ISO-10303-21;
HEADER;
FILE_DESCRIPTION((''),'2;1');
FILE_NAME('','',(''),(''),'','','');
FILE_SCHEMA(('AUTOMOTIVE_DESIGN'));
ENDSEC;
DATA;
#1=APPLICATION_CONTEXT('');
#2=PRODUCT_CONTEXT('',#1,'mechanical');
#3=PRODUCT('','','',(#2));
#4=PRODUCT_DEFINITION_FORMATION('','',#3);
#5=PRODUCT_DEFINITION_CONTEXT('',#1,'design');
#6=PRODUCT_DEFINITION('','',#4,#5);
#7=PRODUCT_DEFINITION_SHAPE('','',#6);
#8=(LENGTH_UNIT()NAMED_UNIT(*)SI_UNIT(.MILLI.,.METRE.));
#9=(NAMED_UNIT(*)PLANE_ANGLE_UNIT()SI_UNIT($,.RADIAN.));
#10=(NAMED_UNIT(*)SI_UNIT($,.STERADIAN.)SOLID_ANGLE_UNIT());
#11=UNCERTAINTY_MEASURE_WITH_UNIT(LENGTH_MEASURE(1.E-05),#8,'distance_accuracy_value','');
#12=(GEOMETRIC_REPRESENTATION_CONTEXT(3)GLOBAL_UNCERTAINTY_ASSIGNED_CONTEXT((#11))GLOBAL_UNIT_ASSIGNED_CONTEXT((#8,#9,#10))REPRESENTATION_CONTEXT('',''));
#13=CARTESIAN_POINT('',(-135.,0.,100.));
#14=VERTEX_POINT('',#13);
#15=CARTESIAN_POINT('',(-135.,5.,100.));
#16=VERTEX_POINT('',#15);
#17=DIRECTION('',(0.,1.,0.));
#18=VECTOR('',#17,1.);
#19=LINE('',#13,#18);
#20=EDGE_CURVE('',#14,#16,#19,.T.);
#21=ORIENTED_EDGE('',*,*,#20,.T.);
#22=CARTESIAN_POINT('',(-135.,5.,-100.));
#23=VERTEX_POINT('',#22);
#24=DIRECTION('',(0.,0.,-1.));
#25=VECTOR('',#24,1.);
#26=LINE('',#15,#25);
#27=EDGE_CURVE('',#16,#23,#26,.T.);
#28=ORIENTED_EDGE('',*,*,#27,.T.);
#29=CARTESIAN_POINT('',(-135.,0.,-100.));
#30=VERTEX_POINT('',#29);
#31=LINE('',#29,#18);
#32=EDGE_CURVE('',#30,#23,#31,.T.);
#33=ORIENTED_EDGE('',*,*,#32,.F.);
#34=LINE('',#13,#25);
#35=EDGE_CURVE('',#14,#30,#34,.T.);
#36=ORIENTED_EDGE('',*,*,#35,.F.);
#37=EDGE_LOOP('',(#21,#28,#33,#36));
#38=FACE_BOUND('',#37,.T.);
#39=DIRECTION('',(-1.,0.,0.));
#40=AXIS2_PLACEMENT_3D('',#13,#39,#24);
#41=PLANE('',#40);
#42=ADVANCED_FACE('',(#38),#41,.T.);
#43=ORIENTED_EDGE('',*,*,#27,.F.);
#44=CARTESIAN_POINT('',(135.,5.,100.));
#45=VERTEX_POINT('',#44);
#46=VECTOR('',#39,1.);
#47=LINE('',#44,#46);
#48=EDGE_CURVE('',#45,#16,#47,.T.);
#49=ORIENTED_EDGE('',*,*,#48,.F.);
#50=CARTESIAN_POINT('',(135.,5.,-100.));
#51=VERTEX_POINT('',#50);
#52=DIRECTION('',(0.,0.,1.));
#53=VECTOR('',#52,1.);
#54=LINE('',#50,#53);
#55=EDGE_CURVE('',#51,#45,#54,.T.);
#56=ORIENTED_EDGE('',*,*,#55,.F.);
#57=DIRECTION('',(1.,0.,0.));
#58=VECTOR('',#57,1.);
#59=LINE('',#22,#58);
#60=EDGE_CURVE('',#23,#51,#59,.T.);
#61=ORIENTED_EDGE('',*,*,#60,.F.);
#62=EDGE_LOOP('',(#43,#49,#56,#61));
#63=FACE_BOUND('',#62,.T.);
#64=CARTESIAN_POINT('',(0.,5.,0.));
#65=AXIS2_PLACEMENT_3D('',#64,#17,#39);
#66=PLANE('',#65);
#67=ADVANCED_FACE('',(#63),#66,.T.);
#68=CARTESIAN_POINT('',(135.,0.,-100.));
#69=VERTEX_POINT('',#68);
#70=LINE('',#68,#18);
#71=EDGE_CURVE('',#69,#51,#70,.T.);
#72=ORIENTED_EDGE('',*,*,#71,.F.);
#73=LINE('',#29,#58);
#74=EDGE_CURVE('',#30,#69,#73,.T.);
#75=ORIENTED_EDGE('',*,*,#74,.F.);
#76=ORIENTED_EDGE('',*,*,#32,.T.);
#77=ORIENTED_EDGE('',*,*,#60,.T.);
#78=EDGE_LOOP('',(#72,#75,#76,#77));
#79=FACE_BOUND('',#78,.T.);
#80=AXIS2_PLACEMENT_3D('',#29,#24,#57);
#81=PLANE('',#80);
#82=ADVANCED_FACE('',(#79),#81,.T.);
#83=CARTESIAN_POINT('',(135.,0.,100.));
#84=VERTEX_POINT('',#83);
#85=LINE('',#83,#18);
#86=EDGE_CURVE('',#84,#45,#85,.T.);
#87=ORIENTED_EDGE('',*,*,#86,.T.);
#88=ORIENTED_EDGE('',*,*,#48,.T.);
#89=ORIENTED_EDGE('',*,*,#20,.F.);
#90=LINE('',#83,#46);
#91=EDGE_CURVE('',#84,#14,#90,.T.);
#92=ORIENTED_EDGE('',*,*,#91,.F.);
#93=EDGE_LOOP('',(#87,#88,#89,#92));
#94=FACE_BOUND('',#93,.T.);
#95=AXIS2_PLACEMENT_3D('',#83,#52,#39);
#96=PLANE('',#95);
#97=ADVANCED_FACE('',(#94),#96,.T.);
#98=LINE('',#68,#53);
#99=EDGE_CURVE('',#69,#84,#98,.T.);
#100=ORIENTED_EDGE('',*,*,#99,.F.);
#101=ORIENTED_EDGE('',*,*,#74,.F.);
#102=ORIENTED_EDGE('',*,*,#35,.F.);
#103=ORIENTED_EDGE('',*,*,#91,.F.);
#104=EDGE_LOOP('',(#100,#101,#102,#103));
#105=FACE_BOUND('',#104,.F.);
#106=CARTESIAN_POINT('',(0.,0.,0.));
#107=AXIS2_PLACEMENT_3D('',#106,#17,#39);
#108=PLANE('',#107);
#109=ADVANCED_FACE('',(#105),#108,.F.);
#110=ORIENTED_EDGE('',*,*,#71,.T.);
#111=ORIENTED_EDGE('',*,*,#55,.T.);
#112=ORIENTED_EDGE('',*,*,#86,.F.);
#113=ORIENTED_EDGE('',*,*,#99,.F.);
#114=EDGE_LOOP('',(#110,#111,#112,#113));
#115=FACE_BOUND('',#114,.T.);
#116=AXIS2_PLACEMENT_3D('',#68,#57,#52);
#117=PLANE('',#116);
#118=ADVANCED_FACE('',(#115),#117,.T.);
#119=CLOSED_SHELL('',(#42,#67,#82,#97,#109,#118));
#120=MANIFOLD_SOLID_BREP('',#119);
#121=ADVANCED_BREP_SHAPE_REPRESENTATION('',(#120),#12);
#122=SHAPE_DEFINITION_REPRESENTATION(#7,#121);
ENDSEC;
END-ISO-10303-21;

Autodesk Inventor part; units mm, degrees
ref_plane "YZ Plane" through (0, 0, 0) normal (1, 0, 0) x (0, 1, 0)
ref_plane "XZ Plane" through (0, 0, 0) normal (0, 1, 0) x (-1, 0, 0)
ref_plane "XY Plane" through (0, 0, 0) normal (0, 0, 1) x (1, 0, 0)
sketch "Sketch1" plane through (0, 0, 0) normal (0, 1, 0) x (-1, 0, 0)
  line L0 (-135, 100) -> (135, 100)
  line L1 (135, 100) -> (135, -100)
  line L2 (135, -100) -> (-135, -100)
  line L3 (-135, -100) -> (-135, 100)
  line L4 (-135, 100) -> (135, -100) construction
  line L5 (135, 100) -> (-135, -100) construction
  point P0 (0, 0)
  dimension "d0" = 270
  dimension "d1" = 200
extrude "Extrusion1" add sketch "Sketch1" along normal blind 5
properties part number "car_platform_2" material "Aluminum 6061"
